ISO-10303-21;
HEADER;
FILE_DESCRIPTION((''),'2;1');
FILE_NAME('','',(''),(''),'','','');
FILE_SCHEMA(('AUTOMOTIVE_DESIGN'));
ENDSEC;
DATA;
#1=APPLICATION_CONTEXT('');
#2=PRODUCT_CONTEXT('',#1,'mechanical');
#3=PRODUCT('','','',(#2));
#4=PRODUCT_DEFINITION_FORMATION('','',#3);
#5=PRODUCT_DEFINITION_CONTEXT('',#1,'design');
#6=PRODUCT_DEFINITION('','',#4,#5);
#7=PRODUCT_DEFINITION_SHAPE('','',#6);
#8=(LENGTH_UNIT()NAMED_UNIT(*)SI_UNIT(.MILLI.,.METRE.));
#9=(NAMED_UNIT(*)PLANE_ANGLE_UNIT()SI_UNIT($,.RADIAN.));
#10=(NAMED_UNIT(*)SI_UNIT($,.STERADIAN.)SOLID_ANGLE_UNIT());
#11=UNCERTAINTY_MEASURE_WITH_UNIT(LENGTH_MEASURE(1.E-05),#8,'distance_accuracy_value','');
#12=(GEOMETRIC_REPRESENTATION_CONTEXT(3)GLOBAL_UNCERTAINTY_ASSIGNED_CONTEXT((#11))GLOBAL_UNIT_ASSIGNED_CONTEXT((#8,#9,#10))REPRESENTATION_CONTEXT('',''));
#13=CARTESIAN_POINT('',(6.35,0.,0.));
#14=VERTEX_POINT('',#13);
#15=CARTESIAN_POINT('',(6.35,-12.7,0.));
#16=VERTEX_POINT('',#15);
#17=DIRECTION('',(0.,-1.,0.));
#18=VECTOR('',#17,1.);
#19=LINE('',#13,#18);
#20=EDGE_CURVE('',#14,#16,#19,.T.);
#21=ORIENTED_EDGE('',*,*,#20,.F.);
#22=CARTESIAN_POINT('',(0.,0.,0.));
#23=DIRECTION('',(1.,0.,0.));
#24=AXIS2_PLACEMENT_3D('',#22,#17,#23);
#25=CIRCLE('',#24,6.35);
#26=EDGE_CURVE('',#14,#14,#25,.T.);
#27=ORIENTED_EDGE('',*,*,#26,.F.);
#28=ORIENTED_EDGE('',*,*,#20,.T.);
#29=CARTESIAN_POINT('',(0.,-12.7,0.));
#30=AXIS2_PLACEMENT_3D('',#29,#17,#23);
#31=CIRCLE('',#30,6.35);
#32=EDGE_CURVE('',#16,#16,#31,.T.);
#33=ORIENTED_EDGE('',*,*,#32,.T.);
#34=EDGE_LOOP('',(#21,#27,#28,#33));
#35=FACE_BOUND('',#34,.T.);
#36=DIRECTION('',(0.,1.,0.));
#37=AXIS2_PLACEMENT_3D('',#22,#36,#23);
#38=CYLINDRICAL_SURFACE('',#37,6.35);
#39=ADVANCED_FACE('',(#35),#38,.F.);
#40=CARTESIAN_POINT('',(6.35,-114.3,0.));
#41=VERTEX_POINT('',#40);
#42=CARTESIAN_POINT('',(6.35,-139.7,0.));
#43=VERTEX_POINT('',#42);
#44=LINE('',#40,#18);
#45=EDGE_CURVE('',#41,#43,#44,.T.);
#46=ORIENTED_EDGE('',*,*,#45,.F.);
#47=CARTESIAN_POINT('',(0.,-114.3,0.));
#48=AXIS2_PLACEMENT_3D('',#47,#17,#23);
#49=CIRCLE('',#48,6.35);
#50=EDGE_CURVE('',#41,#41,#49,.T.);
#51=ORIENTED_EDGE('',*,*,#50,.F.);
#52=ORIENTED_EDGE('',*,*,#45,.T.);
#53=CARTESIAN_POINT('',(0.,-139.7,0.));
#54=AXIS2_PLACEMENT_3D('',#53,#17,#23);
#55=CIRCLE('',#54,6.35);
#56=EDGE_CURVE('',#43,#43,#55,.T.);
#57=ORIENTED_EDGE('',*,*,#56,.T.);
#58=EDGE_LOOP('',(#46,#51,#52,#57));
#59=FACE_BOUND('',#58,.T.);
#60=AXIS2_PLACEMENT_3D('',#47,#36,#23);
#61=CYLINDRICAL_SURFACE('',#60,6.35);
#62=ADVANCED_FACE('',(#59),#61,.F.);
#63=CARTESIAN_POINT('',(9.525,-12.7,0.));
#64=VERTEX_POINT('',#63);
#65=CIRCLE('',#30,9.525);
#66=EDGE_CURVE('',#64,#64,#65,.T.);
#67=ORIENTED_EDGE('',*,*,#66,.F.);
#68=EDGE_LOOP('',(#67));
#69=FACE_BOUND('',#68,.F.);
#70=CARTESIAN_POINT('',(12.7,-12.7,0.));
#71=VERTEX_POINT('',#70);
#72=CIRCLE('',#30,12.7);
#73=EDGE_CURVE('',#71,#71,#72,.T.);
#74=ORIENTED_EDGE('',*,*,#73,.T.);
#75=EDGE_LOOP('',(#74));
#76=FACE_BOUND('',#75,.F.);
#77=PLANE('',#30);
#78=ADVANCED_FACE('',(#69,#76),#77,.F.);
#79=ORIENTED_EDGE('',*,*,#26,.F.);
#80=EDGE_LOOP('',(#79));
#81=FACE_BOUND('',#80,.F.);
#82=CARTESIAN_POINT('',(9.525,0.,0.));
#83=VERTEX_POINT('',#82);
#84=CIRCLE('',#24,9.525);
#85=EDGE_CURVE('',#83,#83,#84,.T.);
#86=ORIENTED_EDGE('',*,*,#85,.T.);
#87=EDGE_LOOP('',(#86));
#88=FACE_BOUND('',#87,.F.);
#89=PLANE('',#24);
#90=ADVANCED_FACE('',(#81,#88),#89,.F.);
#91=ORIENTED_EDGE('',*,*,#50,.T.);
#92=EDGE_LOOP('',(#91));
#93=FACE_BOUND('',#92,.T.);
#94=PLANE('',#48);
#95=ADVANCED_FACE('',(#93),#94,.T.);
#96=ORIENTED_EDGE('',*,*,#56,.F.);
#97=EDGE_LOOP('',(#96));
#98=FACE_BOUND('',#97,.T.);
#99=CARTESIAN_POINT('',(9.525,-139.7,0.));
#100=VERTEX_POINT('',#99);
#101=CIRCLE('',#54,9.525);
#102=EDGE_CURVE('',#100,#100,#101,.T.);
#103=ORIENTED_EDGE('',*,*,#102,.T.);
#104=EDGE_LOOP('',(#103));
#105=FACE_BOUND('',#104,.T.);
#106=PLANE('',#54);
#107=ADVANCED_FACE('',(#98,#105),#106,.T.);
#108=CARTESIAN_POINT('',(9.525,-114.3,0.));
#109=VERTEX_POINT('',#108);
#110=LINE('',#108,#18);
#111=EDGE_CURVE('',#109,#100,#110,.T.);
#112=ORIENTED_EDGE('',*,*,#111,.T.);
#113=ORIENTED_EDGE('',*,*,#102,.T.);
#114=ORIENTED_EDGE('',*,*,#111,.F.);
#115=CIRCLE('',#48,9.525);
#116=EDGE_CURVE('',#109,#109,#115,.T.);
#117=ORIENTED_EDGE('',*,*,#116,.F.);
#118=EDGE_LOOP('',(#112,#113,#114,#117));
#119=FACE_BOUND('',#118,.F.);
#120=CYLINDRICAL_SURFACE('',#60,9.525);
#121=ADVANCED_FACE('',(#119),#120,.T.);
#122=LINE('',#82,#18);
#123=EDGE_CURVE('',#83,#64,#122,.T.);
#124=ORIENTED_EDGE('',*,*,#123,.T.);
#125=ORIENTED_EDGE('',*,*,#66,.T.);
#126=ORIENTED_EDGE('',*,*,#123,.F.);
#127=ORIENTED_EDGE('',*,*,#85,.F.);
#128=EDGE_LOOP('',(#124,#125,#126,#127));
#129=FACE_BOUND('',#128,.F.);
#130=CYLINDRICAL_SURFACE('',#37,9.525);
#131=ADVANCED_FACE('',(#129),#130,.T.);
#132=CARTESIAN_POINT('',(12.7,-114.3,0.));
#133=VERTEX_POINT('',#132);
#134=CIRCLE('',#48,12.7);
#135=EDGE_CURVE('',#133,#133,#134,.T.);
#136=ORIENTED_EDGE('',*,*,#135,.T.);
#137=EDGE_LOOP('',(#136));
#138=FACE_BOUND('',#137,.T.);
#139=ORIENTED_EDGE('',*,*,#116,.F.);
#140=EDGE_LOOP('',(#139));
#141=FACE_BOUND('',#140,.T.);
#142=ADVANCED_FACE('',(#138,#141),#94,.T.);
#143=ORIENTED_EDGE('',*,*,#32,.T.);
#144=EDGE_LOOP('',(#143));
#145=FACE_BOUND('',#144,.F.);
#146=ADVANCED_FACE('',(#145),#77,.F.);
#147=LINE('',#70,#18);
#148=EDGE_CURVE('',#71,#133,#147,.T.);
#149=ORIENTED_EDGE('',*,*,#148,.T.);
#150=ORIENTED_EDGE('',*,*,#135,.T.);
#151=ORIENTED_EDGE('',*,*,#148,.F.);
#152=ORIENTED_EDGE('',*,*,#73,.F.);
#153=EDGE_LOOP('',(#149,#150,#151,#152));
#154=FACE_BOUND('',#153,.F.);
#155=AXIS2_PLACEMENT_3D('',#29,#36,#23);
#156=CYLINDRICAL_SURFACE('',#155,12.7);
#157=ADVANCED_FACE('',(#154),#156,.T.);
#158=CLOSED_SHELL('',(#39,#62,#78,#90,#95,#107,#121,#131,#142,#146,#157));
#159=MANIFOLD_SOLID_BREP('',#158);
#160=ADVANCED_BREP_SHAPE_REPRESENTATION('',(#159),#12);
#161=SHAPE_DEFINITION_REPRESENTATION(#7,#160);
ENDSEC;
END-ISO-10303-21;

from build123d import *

# Parameters (mm, degrees)
F0_R     = 9.525
F0_R_2   = 6.35
F1_DEPTH = 12.7
F2_R     = 12.7
F3_DEPTH = 101.6
F4_R     = 9.525
F4_R_2   = 6.35
F5_DEPTH = 25.4


with BuildPart() as f1:
    # F0 (on Front) → F1 (new body)
    with BuildSketch(Plane.XZ):
        Circle(F0_R)
        Circle(F0_R_2, mode=Mode.SUBTRACT)
    extrude(amount=F1_DEPTH)

    # F2 (on face) → F3 (join)
    with BuildSketch(Plane.XZ.offset(12.7)):
        Circle(F2_R)
    extrude(amount=F3_DEPTH)

    # F4 (on face) → F5 (join)
    with BuildSketch(Plane.XZ.offset(114.3)):
        Circle(F4_R)
        Circle(F4_R_2, mode=Mode.SUBTRACT)
    extrude(amount=F5_DEPTH)


solid = f1.part
